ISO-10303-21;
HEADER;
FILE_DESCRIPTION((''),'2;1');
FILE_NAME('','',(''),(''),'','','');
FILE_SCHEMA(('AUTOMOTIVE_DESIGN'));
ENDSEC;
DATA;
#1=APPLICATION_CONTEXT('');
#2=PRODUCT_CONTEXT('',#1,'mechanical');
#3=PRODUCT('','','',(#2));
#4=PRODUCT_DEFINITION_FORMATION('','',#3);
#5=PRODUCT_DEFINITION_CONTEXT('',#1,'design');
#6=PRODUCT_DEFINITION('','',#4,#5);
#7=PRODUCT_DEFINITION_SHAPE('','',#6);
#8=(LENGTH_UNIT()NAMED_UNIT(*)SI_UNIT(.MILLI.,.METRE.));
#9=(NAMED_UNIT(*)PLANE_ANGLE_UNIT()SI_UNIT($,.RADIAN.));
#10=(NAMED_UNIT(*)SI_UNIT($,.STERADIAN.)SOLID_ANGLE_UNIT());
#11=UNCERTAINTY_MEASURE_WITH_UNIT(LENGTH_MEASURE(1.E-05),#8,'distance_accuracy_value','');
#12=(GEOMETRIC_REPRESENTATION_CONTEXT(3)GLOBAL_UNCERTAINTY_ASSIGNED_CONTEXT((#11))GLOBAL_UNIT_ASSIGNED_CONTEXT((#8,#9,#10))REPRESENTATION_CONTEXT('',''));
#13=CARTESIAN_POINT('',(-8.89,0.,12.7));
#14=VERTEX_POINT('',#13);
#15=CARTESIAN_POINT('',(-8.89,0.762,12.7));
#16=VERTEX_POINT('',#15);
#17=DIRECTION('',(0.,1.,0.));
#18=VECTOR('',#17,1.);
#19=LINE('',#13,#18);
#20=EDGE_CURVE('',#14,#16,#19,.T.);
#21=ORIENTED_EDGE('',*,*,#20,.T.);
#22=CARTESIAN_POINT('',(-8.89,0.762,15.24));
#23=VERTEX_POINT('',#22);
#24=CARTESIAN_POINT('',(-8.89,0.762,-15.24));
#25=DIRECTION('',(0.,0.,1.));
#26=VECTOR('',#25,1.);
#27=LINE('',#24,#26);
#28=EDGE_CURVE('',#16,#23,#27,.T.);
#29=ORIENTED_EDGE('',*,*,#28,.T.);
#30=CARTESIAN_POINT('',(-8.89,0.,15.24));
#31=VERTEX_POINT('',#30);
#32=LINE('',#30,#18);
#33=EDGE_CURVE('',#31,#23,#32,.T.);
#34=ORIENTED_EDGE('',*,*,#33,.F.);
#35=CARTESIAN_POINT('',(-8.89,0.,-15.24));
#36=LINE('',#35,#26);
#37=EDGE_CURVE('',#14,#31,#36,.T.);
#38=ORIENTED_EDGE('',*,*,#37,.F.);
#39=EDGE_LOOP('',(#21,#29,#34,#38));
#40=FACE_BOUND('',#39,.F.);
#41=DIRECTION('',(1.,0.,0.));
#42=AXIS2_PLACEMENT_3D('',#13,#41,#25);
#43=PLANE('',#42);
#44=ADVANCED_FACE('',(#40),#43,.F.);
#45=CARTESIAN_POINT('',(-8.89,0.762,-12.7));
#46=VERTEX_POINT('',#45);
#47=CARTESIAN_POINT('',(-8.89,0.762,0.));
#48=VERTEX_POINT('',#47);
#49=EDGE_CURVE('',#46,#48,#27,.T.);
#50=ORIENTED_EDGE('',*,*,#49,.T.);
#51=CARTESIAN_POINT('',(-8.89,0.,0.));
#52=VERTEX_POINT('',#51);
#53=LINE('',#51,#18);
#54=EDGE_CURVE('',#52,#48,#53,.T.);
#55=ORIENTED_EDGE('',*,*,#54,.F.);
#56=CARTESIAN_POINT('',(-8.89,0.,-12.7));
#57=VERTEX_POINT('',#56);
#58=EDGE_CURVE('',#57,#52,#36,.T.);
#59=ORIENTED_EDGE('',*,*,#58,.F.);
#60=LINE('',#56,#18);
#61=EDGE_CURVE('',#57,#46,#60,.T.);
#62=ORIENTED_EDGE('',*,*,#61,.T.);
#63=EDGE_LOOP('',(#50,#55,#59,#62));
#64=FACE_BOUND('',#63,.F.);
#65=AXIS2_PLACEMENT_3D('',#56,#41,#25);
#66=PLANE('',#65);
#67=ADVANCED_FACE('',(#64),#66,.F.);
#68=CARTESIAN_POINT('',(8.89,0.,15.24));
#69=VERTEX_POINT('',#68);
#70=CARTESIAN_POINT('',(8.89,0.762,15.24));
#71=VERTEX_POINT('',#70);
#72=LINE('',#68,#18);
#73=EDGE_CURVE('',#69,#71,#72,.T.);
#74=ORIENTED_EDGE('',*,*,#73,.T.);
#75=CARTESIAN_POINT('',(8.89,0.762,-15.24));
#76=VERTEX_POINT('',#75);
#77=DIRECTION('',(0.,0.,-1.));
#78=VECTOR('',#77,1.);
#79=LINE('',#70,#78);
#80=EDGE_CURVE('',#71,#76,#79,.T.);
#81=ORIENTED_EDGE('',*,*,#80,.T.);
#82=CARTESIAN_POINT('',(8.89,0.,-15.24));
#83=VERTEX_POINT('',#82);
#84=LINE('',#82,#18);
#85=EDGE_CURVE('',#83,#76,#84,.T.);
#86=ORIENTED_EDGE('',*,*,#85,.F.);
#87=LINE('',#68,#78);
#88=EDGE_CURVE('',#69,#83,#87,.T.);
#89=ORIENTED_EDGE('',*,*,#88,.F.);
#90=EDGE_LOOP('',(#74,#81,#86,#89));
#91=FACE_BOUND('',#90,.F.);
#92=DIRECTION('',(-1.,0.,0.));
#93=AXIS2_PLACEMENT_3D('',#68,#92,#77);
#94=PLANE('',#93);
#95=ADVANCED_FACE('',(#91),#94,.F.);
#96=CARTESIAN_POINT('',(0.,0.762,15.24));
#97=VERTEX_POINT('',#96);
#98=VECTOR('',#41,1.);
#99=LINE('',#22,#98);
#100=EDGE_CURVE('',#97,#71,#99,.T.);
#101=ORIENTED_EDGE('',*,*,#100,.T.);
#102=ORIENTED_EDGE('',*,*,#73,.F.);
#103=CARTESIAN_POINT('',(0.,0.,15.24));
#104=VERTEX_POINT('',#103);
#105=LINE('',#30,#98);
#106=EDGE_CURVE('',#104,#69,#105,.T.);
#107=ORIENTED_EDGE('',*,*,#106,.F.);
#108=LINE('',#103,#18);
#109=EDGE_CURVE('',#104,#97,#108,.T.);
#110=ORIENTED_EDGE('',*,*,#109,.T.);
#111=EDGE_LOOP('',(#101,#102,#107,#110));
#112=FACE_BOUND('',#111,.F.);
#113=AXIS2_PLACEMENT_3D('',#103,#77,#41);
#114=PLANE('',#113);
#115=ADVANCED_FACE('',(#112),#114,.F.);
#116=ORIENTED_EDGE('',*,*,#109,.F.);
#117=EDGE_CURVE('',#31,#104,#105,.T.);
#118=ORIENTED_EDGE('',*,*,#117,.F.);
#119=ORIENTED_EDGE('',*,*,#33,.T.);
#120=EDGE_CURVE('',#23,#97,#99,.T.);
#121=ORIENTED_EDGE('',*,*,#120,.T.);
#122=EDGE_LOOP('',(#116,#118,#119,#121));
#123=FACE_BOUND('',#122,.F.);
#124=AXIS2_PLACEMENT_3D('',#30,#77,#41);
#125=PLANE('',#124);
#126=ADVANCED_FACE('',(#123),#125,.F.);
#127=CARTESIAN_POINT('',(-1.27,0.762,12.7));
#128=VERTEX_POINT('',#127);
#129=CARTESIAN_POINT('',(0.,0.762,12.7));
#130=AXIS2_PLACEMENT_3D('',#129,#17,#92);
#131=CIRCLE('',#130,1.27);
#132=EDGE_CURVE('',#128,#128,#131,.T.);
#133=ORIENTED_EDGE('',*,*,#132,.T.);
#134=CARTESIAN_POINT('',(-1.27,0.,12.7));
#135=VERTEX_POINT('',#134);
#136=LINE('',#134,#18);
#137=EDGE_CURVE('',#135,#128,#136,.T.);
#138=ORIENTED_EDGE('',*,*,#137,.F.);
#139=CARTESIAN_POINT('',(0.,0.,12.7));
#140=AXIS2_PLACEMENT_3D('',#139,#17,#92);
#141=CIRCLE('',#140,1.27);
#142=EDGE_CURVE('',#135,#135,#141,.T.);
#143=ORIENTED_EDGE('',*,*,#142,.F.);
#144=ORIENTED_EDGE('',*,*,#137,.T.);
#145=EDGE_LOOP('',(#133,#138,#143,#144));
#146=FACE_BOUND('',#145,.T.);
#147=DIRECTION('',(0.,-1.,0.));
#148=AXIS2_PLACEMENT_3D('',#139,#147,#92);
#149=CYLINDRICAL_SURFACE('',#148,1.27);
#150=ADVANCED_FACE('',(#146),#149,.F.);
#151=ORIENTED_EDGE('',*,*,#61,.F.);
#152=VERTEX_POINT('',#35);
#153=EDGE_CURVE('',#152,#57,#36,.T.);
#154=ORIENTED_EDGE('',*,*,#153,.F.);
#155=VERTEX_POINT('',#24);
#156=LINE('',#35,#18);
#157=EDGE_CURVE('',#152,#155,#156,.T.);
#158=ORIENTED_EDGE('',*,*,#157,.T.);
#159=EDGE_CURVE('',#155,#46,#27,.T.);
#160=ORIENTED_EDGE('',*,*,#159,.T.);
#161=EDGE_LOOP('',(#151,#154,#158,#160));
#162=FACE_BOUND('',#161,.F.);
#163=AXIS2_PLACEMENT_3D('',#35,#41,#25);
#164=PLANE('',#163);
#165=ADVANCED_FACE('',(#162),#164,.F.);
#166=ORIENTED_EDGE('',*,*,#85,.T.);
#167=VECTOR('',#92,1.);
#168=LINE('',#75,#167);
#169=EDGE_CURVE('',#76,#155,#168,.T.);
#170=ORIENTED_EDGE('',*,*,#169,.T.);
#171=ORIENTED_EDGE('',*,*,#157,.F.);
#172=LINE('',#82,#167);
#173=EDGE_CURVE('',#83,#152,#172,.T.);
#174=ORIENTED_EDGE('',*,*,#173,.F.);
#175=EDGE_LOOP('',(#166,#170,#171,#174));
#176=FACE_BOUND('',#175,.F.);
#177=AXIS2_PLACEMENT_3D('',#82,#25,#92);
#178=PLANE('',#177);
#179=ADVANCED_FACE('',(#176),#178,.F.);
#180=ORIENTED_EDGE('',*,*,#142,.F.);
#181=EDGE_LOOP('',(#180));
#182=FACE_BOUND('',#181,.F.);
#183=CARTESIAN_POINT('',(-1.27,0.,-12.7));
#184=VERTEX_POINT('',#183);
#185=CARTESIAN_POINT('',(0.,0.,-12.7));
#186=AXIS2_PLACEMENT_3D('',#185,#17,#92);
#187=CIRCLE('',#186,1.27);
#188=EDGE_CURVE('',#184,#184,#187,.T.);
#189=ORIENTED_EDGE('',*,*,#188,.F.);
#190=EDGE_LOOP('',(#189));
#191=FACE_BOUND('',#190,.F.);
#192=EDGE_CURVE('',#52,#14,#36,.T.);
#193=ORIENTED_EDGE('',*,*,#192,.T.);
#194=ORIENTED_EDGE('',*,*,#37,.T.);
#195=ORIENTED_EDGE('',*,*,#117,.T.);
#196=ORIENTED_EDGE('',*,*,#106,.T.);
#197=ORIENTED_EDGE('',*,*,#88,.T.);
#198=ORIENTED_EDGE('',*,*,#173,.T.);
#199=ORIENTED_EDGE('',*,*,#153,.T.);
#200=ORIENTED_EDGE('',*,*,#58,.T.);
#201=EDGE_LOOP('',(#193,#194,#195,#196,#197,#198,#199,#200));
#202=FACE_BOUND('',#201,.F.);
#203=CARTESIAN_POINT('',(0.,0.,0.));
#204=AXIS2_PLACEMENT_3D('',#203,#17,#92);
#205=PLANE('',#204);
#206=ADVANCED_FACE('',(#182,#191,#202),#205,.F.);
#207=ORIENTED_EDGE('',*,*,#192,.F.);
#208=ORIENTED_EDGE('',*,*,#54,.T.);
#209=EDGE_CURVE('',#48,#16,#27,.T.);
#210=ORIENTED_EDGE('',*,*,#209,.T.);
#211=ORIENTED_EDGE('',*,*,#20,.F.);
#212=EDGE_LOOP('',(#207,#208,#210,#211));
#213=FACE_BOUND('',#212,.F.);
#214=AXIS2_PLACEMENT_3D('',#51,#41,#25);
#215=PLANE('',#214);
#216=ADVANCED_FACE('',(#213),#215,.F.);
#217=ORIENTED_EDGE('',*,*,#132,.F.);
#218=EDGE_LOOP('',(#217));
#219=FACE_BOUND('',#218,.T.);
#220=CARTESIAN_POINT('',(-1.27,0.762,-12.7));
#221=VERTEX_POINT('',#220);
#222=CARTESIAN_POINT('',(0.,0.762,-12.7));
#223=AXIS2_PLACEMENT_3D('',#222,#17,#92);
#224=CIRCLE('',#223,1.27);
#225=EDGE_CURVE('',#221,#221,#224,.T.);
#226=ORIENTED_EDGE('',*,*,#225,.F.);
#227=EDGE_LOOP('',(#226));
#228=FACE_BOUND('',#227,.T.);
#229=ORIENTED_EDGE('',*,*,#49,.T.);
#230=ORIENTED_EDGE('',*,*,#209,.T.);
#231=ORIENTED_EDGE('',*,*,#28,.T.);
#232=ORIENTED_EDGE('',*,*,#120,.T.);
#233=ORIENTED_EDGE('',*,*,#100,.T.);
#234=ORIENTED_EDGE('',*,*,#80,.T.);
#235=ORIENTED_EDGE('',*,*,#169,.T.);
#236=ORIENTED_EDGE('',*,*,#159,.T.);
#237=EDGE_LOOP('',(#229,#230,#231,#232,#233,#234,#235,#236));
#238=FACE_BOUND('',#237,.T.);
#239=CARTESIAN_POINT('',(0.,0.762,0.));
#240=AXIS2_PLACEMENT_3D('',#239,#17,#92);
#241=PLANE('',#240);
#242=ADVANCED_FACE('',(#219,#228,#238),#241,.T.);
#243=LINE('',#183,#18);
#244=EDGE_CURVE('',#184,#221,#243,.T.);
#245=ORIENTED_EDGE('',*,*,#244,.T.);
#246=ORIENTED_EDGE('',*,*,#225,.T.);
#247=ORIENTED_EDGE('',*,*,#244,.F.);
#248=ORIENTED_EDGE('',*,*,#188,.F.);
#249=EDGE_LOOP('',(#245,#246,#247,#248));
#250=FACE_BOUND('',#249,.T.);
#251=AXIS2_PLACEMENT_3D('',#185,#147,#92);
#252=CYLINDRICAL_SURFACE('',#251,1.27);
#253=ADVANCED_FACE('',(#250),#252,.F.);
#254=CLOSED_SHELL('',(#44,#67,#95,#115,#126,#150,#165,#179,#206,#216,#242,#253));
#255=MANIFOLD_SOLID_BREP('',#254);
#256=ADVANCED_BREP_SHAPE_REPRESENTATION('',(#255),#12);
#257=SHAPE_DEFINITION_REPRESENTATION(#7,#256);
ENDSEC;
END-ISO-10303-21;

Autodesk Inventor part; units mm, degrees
ref_plane "YZ Plane" through (0, 0, 0) normal (1, 0, 0) x (0, 1, 0)
ref_plane "XZ Plane" through (0, 0, 0) normal (0, 1, 0) x (-1, 0, 0)
ref_plane "XY Plane" through (0, 0, 0) normal (0, 0, 1) x (1, 0, 0)
sketch "Sketch1" plane through (0, 0, 0) normal (0, 1, 0) x (-1, 0, 0)
  line L0 (8.89, 15.24) -> (-8.89, 15.24)
  line L1 (-8.89, 15.24) -> (-8.89, -15.24)
  line L2 (-8.89, -15.24) -> (8.89, -15.24)
  line L3 (8.89, -15.24) -> (8.89, 15.24)
  line L4 (8.89, 15.24) -> (-8.89, -15.24) construction
  line L5 (-8.89, 15.24) -> (8.89, -15.24) construction
  line L6 (8.89, 0) -> (8.89, -12.7)
  line L7 (8.89, 0) -> (8.89, 12.7)
  line L8 (8.89, 15.24) -> (0, 15.24)
  circle A0 centre (0, 12.7) radius 1.27
  circle A1 centre (0, -12.7) radius 1.27
  point P0 (0, 0)
  dimension "d0" = 17.78
  dimension "d1" = 30.48
  dimension "d2" = 12.7
  dimension "d3" = 12.7
  dimension "d4" = 8.89
  dimension "d5" = 2.54
  dimension "d6" = 2.54
extrude "Extrusion1" add sketch "Sketch1" along normal blind 0.762
ref_plane "Work Plane1" through (-8.89, 0, 0) normal (0, 0, 1) x (1, 0, 0)
properties part number "adafruit_TCA9548A_board" material "PET Plastic White"
